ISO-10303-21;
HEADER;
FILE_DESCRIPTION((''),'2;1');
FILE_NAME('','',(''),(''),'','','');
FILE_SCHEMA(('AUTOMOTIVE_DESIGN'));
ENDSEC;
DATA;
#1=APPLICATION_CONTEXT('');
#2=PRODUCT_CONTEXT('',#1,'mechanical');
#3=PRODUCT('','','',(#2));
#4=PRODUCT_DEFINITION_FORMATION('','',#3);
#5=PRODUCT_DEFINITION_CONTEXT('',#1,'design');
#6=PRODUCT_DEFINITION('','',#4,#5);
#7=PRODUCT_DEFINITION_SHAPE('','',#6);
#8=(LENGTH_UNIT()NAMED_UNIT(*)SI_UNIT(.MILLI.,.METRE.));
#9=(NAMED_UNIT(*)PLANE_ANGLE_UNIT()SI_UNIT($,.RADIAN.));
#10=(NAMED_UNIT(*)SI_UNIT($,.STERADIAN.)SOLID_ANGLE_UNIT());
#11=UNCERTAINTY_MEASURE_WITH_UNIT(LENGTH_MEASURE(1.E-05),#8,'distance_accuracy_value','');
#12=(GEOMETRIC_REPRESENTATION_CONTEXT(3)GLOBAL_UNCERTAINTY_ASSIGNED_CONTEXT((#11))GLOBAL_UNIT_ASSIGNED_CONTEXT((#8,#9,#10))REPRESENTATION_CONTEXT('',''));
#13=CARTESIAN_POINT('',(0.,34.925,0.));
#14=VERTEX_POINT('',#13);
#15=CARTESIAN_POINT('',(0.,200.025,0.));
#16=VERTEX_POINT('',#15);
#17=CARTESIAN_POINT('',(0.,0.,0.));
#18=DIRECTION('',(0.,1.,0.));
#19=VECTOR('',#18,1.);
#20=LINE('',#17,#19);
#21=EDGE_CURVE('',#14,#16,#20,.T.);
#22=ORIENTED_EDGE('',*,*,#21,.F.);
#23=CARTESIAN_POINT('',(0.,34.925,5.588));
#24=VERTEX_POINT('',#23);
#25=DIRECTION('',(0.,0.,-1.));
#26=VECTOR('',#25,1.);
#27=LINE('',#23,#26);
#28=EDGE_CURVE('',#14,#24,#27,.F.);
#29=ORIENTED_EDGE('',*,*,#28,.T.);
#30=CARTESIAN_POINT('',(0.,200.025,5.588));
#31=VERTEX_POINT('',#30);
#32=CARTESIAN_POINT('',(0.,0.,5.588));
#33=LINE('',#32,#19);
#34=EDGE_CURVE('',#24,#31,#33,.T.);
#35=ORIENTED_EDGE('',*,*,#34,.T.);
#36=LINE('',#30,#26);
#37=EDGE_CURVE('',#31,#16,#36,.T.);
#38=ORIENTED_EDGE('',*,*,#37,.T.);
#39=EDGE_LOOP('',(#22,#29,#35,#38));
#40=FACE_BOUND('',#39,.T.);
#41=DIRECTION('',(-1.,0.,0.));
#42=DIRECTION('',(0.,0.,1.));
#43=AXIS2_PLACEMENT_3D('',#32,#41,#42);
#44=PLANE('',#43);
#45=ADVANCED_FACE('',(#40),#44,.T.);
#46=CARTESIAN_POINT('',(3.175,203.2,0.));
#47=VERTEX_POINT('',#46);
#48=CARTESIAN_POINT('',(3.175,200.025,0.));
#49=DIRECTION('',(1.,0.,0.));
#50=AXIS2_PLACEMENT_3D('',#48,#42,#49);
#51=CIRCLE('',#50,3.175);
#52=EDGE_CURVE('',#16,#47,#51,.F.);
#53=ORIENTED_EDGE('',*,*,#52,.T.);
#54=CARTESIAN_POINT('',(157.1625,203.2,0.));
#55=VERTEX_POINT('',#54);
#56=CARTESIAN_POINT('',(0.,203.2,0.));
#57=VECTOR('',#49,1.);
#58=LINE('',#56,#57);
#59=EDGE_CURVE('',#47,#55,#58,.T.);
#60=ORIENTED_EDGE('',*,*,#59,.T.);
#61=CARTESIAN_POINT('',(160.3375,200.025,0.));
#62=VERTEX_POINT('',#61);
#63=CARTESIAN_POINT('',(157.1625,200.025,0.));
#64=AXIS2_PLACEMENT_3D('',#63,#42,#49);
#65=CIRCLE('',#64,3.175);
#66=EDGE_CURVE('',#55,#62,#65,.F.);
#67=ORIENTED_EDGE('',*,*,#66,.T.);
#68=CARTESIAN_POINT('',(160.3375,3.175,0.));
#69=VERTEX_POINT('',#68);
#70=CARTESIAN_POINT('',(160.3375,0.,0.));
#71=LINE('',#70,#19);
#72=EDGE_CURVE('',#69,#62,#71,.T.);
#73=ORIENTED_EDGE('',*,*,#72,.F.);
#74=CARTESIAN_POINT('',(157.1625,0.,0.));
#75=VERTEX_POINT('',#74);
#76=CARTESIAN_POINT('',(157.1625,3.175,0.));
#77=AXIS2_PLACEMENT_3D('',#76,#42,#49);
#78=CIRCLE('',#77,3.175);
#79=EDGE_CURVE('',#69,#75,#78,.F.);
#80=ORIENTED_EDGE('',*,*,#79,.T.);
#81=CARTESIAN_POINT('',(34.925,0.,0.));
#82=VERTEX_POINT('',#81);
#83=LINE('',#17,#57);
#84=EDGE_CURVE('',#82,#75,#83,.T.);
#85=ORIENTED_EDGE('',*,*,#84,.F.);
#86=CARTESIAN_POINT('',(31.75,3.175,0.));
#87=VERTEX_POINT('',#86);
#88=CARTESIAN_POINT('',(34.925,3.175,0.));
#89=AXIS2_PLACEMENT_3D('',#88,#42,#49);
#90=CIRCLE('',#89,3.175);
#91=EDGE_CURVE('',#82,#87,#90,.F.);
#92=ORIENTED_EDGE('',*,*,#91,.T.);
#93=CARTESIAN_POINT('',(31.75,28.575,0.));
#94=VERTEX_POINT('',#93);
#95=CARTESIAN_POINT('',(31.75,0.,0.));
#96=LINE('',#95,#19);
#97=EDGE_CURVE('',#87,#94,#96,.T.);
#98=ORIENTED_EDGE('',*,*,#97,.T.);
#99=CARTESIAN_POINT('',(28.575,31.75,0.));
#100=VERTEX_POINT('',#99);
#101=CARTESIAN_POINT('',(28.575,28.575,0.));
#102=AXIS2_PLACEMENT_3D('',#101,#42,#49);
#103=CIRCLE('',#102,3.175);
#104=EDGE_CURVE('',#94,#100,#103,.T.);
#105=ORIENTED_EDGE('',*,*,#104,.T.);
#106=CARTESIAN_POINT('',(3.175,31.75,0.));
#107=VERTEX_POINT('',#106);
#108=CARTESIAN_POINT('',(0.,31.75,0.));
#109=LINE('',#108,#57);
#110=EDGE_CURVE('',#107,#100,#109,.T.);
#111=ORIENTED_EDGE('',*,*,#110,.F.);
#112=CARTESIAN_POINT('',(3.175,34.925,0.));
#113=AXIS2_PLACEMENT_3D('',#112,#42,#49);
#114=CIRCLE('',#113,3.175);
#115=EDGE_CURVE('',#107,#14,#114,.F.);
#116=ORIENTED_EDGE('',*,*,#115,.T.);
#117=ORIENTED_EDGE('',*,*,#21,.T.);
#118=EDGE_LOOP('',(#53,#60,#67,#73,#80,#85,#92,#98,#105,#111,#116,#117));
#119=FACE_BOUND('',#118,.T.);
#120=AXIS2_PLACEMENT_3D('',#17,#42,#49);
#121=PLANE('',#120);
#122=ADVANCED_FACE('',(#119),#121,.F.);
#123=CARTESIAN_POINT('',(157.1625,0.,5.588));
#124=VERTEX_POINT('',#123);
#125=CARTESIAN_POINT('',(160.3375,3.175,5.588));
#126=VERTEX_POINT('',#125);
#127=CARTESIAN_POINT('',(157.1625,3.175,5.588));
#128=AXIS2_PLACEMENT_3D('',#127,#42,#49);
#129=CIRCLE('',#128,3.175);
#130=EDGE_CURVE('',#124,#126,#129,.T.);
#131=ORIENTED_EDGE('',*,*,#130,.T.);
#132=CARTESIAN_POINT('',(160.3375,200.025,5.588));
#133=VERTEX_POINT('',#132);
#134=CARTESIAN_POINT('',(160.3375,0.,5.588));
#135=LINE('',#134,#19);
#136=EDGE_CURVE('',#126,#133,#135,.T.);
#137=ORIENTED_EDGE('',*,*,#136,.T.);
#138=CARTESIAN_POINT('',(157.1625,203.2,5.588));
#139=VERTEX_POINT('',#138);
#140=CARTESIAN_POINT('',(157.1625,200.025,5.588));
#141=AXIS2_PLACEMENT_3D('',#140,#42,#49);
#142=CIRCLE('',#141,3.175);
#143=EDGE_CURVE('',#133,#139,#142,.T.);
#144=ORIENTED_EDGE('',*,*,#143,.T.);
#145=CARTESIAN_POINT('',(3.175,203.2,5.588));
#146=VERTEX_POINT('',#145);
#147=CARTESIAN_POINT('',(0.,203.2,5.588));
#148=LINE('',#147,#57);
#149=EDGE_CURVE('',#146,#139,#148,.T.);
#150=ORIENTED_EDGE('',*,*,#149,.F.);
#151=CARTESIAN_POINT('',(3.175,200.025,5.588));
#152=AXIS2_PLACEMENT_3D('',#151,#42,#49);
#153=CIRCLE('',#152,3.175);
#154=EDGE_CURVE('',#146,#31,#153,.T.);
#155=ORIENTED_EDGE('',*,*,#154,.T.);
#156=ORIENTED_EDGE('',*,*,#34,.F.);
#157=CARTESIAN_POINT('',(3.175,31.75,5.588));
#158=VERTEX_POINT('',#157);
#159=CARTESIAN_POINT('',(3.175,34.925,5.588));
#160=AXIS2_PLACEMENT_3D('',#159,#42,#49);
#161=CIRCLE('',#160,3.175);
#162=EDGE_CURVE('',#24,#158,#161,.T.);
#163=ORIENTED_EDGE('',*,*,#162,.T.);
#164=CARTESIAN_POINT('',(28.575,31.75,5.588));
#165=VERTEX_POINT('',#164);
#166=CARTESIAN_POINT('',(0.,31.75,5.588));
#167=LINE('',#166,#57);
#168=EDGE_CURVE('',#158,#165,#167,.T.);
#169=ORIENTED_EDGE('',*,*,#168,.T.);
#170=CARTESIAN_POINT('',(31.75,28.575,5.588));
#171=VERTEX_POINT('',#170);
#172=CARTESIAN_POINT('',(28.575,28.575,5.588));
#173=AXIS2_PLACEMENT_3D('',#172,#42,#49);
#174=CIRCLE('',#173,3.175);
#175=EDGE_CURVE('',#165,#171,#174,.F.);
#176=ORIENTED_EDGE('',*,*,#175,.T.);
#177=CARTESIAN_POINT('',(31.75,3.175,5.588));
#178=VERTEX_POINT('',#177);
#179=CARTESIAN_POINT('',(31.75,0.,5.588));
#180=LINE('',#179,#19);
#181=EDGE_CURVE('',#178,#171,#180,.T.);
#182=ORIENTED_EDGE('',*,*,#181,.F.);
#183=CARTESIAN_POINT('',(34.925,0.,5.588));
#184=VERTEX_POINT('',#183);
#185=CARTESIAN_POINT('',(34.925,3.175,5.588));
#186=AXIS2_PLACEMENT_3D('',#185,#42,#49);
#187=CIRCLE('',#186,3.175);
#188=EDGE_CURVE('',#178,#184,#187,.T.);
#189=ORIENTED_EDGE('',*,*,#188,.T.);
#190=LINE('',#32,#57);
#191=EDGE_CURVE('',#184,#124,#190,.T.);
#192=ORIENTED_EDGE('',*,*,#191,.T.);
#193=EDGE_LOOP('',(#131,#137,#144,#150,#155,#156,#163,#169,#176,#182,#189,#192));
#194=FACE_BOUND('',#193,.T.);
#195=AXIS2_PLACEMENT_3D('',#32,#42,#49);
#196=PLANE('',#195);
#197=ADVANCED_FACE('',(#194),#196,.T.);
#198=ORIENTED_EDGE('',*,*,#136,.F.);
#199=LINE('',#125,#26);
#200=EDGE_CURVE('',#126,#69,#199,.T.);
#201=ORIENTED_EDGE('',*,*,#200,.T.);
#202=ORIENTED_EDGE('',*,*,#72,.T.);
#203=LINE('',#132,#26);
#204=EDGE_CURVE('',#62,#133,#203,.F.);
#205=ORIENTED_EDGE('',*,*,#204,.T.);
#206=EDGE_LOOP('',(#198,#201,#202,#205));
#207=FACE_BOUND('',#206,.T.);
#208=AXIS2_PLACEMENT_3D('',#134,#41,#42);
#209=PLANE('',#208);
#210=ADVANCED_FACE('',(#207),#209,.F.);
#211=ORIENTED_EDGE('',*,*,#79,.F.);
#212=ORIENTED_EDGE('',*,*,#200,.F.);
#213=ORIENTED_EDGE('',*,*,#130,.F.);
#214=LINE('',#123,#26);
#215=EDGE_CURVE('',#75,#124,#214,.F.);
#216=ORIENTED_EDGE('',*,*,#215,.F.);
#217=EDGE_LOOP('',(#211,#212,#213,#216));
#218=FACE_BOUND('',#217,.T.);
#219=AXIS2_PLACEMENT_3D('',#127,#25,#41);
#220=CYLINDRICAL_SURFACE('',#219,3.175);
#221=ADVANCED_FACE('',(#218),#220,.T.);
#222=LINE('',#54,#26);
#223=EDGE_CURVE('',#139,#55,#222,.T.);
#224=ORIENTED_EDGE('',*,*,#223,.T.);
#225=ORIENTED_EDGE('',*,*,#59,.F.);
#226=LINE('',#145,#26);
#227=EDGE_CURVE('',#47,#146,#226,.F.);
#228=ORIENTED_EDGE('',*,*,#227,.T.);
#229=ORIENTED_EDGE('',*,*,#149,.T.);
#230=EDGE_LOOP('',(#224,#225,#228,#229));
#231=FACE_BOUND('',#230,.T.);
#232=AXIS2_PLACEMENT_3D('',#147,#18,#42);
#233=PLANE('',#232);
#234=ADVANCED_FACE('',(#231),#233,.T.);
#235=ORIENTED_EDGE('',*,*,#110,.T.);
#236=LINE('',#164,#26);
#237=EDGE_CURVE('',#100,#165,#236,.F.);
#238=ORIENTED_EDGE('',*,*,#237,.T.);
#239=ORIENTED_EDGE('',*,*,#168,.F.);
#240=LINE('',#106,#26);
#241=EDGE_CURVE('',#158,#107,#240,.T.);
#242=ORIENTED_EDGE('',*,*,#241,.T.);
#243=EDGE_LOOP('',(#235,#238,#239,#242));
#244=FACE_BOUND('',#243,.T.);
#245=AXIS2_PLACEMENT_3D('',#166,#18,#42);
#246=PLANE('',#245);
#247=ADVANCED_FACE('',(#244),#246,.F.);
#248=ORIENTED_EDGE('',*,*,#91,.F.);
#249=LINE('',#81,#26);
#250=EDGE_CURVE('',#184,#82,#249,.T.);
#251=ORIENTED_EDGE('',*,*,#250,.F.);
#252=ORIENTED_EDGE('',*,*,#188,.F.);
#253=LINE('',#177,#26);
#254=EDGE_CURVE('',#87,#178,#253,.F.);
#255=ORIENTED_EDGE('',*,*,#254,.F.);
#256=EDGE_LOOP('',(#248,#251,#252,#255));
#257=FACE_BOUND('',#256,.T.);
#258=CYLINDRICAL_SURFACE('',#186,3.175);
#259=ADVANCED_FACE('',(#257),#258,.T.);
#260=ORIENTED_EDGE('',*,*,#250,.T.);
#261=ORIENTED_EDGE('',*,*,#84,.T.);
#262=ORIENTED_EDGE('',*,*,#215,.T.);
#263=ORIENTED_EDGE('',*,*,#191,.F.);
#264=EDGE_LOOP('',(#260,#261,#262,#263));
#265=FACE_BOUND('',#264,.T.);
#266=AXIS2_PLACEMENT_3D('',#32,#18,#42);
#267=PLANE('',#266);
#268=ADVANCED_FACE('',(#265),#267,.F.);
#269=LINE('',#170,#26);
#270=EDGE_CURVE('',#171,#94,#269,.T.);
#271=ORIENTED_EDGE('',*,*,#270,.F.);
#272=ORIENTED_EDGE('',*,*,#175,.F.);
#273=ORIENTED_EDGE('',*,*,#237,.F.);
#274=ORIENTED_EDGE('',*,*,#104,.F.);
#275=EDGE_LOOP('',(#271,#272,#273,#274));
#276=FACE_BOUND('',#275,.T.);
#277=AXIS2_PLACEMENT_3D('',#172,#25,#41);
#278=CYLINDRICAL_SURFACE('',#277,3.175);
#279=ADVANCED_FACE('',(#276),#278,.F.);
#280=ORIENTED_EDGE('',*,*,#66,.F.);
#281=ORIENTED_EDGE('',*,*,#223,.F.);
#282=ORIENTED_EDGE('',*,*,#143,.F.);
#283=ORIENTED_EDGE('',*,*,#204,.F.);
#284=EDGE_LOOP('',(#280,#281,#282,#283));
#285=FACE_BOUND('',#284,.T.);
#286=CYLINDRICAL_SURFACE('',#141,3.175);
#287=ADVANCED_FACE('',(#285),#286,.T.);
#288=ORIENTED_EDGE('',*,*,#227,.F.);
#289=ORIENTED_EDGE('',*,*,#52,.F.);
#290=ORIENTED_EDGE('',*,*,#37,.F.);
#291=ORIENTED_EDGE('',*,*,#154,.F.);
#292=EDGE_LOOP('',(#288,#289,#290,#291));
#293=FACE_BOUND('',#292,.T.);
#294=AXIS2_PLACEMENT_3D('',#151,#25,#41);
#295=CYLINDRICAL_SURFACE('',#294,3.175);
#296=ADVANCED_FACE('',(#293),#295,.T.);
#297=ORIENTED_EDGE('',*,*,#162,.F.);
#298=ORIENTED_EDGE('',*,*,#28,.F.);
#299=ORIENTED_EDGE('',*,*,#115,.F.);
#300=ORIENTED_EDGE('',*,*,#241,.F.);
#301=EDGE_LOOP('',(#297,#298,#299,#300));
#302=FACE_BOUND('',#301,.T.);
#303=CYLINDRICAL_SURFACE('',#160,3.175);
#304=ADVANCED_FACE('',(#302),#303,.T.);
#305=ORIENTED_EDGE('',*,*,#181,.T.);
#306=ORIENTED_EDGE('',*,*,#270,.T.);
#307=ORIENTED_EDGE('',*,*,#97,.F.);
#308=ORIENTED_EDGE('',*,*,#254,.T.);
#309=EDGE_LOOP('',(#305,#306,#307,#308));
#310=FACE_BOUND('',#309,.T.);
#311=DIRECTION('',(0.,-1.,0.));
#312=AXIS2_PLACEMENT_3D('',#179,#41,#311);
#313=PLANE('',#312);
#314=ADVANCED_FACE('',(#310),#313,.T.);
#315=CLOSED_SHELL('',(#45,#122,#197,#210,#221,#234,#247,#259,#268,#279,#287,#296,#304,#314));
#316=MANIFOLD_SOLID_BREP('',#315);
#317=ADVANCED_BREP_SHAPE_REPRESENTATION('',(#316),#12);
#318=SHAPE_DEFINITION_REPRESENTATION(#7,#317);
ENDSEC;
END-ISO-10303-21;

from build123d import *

# Parameters (mm, degrees)
BOSS_EXTRUDE1_DEPTH = 5.588
FILLET1_R           = 3.175


with BuildPart() as part:
    # Sketch1 → Boss-Extrude1 (new body)
    with BuildSketch(Plane.XY):
        Polygon((31.75, 31.75), (31.75, 0), (160.3375, 0), (160.3375, 203.2), (0, 203.2), (0, 31.75), align=None)
    extrude(amount=BOSS_EXTRUDE1_DEPTH)

    # Fillet1
    fillet1_edges = [part.edges().sort_by_distance(p)[0] for p in [
        (31.75, 31.75, 2.794),
        (0, 31.75, 2.794),
        (0, 203.2, 2.794),
        (160.3375, 203.2, 2.794),
        (160.3375, 0, 2.794),
        (31.75, 0, 2.794),
    ]]
    fillet(fillet1_edges, radius=FILLET1_R)


solid = part.part
